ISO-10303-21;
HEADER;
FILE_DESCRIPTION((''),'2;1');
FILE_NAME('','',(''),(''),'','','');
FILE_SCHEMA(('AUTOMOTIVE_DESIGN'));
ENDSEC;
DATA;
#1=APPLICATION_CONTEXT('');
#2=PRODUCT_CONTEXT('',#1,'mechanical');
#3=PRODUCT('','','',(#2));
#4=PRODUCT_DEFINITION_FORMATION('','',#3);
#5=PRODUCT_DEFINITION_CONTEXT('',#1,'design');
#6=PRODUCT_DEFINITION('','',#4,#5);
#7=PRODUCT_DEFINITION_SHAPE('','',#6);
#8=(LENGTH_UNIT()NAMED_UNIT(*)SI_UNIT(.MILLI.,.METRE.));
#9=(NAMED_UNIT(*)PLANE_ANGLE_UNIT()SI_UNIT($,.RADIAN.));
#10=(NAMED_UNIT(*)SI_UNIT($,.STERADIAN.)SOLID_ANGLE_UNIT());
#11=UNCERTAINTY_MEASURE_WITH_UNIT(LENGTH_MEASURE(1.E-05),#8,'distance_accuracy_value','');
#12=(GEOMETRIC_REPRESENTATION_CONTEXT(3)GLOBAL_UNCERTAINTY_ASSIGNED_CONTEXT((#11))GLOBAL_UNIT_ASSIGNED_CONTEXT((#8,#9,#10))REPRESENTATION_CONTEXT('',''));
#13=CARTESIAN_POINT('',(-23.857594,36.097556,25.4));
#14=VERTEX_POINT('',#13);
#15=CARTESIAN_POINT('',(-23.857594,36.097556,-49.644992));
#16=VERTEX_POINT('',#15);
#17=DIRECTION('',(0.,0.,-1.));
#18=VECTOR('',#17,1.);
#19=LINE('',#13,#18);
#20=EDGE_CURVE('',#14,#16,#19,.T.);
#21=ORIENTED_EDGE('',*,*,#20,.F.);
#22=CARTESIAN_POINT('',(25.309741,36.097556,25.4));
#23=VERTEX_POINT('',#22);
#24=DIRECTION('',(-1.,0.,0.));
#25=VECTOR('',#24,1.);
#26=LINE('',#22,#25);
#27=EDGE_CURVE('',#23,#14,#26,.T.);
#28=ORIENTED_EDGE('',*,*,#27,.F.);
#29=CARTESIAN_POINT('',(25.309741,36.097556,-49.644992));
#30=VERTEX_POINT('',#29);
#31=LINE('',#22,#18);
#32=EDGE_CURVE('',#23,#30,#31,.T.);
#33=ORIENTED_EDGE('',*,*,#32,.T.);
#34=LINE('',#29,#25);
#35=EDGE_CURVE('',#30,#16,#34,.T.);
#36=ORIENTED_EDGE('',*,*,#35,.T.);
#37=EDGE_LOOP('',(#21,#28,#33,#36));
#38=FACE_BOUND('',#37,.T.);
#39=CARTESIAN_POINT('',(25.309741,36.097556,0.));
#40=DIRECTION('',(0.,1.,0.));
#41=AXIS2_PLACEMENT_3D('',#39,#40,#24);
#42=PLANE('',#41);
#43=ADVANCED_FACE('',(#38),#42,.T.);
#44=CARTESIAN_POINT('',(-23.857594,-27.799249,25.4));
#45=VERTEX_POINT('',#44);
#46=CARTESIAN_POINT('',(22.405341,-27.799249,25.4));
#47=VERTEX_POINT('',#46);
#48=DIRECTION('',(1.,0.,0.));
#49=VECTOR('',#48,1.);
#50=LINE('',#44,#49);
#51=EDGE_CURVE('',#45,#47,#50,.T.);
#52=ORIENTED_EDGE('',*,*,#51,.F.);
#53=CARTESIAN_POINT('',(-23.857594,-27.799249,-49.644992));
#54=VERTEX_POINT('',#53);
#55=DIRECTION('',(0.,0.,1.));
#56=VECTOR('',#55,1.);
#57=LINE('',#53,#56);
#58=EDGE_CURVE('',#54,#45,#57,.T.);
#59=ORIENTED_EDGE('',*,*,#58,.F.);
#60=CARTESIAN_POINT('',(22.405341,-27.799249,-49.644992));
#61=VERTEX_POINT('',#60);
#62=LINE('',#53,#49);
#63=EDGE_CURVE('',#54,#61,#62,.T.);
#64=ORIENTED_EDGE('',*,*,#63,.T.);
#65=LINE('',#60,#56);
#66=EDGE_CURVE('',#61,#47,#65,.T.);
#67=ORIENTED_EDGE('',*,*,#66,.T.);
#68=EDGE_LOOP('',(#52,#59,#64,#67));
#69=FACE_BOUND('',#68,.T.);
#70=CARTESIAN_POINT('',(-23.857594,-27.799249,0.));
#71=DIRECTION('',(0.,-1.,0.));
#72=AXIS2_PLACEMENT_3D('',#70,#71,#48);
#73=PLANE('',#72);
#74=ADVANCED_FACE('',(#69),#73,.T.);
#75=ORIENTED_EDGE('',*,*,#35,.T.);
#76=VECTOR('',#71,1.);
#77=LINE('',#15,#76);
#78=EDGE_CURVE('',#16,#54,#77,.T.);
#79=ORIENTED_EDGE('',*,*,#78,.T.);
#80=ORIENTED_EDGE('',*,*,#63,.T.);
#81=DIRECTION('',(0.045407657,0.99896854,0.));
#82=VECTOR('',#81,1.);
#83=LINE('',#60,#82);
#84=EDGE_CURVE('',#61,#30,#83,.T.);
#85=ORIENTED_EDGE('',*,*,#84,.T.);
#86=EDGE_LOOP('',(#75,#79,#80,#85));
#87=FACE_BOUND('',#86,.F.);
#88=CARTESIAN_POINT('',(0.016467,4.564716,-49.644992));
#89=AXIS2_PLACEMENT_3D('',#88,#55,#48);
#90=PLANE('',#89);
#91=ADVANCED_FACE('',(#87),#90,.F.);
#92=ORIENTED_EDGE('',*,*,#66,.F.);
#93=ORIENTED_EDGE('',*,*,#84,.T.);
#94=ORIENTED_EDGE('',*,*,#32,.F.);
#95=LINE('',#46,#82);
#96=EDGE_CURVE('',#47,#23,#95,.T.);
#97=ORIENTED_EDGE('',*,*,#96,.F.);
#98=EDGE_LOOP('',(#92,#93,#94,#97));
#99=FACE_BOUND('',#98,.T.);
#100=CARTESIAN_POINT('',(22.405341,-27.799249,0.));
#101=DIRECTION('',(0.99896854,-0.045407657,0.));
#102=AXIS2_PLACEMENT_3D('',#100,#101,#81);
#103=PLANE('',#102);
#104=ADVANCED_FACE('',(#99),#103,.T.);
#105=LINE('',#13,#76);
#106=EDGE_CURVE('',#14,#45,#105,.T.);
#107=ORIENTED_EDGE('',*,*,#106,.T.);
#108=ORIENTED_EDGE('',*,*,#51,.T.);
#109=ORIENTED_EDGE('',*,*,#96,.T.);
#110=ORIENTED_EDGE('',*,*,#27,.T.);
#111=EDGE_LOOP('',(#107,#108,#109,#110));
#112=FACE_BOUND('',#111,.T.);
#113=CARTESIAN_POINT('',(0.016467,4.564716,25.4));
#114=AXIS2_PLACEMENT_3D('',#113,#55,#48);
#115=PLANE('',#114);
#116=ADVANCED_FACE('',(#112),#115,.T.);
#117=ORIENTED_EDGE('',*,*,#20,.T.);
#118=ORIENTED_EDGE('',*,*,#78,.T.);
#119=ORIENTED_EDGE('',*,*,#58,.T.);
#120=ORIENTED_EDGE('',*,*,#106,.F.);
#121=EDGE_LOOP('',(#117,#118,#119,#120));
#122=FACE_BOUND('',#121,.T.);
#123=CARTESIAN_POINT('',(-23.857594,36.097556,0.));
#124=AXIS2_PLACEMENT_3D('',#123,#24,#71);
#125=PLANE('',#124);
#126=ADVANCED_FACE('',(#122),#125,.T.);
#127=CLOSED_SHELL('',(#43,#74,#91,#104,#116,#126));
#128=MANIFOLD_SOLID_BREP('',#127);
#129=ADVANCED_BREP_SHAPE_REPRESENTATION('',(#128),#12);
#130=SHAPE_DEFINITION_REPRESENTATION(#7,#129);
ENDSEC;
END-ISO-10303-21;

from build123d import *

# Parameters (mm, degrees)
F1_DEPTH      = 25.4
F1_DEPTH_BACK = 49.644992


with BuildPart() as f1:
    # F0 (on Top) → F1 (new body, two sides)
    with BuildSketch(Plane.XY) as f1_sk:
        Polygon((-23.857594, 36.097556), (-23.857594, -27.799249), (22.405341, -27.799249), (25.309741, 36.097556), align=None)
    extrude(amount=F1_DEPTH)
    extrude(f1_sk.sketch, amount=-F1_DEPTH_BACK)


solid = f1.part
